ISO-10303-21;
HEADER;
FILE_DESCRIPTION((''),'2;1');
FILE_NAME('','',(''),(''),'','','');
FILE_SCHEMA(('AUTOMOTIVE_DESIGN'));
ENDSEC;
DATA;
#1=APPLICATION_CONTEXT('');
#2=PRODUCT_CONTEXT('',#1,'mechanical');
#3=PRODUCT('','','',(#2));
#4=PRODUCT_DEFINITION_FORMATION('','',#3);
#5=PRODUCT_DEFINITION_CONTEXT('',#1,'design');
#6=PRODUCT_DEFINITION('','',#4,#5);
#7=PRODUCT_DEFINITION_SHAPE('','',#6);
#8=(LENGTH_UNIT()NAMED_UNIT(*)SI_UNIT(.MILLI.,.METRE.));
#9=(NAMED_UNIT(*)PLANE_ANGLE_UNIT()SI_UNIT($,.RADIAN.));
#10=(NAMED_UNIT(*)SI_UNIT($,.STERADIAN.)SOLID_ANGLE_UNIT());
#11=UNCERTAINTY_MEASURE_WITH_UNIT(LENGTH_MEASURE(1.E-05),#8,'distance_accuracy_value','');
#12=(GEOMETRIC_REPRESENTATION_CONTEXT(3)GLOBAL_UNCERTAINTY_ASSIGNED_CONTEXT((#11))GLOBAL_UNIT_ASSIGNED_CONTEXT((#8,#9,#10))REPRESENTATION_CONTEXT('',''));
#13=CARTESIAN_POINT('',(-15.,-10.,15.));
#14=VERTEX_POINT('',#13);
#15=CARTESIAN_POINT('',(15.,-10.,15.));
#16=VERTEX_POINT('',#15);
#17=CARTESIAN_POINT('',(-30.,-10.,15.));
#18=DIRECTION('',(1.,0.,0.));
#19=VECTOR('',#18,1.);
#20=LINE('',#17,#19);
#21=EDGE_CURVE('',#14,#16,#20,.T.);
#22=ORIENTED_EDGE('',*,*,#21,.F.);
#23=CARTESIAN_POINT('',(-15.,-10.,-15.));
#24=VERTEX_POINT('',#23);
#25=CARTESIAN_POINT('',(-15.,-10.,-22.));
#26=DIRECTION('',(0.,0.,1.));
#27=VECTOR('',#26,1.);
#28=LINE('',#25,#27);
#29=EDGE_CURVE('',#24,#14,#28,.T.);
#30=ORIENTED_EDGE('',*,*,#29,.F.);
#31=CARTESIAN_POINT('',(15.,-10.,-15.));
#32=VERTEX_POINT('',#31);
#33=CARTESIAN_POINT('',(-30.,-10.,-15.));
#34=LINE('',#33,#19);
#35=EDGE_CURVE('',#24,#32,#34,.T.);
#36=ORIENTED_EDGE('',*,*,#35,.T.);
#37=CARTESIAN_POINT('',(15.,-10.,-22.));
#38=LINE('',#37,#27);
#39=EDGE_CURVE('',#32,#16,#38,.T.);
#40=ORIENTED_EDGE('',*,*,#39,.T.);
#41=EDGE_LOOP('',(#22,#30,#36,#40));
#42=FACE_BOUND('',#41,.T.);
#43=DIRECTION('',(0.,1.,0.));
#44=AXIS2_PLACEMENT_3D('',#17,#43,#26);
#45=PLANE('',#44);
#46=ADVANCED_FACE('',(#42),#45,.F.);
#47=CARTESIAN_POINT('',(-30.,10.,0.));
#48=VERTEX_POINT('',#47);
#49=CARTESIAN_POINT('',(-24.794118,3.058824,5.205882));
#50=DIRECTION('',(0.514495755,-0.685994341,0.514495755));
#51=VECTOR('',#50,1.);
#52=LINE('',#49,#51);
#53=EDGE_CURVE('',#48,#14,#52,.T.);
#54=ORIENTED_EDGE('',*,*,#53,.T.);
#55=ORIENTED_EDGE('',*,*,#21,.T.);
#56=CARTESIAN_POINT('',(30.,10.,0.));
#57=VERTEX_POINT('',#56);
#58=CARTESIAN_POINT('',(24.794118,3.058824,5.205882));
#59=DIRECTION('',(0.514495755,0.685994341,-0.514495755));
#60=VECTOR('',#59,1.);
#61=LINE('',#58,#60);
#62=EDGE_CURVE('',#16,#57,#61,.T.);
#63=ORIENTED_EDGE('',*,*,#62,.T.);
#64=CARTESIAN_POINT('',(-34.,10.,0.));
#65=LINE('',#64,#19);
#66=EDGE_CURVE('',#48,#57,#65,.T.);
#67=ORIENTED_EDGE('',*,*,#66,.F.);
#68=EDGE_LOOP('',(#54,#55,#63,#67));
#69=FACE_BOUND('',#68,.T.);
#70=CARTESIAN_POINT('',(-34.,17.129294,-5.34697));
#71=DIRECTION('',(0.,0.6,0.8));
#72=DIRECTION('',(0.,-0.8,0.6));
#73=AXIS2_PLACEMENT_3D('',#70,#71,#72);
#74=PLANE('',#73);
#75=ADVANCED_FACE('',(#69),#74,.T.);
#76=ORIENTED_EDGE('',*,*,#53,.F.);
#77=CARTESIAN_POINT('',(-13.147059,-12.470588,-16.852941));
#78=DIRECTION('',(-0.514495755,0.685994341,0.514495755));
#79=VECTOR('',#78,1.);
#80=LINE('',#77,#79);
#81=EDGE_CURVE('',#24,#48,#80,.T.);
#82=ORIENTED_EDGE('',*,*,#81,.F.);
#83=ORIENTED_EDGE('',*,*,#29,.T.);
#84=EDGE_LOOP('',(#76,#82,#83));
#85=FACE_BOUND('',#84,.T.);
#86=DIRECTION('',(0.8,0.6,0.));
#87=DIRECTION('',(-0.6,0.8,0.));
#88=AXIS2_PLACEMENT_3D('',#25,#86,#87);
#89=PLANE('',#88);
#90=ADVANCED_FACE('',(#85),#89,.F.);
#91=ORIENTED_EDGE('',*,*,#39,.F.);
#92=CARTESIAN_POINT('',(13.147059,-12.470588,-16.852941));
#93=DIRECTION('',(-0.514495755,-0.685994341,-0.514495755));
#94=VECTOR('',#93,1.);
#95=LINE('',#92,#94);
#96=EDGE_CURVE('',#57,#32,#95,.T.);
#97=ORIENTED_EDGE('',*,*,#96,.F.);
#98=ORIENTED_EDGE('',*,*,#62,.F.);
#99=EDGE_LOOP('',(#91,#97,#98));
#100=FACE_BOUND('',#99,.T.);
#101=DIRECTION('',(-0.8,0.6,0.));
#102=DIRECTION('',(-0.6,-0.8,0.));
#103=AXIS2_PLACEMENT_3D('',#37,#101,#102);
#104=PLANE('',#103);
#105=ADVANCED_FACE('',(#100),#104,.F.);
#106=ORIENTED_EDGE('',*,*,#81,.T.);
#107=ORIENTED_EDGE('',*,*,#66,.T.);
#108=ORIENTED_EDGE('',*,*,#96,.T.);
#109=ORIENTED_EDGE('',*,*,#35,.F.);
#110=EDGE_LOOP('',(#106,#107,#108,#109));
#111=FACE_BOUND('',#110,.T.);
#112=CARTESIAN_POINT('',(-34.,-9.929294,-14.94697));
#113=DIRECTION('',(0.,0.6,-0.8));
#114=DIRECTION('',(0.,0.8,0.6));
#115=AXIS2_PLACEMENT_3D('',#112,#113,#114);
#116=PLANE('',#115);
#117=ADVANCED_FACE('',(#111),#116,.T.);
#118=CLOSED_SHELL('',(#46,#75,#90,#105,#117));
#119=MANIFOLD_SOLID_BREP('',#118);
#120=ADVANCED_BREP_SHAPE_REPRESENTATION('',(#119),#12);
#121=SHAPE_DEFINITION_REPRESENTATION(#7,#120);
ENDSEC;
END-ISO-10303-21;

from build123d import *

# Parameters (mm, degrees)
SKETCH1_W           = 60
SKETCH1_H           = 20
BOSS_EXTRUDE1_DEPTH = 15
CUT_EXTRUDE1_DEPTH  = 22
CUT_EXTRUDE2_DEPTH  = 34


with BuildPart() as part:
    # Sketch1 → Boss-Extrude1 (new body, symmetric)
    with BuildSketch(Plane.XY):
        Rectangle(SKETCH1_W, SKETCH1_H)
    extrude(amount=BOSS_EXTRUDE1_DEPTH, both=True)

    # Sketch2 → Cut-Extrude1 (cut, symmetric)
    with BuildSketch(Plane.XY):
        Polygon((-15, -10), (-30, 10), (-30, -10), align=None)
        Polygon((15, -10), (30, 10), (30, -10), align=None)
    extrude(amount=CUT_EXTRUDE1_DEPTH, both=True, mode=Mode.SUBTRACT)

    # Sketch3 → Cut-Extrude2 (cut, symmetric)
    with BuildSketch(Plane(origin=(0, 0, 0), x_dir=(0, 0, -1), z_dir=(1, 0, 0))):
        Polygon((-15, 10), (-15, -10), (0, 10), align=None)
        Polygon((15, 10), (0, 10), (15, -10), align=None)
    extrude(amount=CUT_EXTRUDE2_DEPTH, both=True, mode=Mode.SUBTRACT)


solid = part.part
